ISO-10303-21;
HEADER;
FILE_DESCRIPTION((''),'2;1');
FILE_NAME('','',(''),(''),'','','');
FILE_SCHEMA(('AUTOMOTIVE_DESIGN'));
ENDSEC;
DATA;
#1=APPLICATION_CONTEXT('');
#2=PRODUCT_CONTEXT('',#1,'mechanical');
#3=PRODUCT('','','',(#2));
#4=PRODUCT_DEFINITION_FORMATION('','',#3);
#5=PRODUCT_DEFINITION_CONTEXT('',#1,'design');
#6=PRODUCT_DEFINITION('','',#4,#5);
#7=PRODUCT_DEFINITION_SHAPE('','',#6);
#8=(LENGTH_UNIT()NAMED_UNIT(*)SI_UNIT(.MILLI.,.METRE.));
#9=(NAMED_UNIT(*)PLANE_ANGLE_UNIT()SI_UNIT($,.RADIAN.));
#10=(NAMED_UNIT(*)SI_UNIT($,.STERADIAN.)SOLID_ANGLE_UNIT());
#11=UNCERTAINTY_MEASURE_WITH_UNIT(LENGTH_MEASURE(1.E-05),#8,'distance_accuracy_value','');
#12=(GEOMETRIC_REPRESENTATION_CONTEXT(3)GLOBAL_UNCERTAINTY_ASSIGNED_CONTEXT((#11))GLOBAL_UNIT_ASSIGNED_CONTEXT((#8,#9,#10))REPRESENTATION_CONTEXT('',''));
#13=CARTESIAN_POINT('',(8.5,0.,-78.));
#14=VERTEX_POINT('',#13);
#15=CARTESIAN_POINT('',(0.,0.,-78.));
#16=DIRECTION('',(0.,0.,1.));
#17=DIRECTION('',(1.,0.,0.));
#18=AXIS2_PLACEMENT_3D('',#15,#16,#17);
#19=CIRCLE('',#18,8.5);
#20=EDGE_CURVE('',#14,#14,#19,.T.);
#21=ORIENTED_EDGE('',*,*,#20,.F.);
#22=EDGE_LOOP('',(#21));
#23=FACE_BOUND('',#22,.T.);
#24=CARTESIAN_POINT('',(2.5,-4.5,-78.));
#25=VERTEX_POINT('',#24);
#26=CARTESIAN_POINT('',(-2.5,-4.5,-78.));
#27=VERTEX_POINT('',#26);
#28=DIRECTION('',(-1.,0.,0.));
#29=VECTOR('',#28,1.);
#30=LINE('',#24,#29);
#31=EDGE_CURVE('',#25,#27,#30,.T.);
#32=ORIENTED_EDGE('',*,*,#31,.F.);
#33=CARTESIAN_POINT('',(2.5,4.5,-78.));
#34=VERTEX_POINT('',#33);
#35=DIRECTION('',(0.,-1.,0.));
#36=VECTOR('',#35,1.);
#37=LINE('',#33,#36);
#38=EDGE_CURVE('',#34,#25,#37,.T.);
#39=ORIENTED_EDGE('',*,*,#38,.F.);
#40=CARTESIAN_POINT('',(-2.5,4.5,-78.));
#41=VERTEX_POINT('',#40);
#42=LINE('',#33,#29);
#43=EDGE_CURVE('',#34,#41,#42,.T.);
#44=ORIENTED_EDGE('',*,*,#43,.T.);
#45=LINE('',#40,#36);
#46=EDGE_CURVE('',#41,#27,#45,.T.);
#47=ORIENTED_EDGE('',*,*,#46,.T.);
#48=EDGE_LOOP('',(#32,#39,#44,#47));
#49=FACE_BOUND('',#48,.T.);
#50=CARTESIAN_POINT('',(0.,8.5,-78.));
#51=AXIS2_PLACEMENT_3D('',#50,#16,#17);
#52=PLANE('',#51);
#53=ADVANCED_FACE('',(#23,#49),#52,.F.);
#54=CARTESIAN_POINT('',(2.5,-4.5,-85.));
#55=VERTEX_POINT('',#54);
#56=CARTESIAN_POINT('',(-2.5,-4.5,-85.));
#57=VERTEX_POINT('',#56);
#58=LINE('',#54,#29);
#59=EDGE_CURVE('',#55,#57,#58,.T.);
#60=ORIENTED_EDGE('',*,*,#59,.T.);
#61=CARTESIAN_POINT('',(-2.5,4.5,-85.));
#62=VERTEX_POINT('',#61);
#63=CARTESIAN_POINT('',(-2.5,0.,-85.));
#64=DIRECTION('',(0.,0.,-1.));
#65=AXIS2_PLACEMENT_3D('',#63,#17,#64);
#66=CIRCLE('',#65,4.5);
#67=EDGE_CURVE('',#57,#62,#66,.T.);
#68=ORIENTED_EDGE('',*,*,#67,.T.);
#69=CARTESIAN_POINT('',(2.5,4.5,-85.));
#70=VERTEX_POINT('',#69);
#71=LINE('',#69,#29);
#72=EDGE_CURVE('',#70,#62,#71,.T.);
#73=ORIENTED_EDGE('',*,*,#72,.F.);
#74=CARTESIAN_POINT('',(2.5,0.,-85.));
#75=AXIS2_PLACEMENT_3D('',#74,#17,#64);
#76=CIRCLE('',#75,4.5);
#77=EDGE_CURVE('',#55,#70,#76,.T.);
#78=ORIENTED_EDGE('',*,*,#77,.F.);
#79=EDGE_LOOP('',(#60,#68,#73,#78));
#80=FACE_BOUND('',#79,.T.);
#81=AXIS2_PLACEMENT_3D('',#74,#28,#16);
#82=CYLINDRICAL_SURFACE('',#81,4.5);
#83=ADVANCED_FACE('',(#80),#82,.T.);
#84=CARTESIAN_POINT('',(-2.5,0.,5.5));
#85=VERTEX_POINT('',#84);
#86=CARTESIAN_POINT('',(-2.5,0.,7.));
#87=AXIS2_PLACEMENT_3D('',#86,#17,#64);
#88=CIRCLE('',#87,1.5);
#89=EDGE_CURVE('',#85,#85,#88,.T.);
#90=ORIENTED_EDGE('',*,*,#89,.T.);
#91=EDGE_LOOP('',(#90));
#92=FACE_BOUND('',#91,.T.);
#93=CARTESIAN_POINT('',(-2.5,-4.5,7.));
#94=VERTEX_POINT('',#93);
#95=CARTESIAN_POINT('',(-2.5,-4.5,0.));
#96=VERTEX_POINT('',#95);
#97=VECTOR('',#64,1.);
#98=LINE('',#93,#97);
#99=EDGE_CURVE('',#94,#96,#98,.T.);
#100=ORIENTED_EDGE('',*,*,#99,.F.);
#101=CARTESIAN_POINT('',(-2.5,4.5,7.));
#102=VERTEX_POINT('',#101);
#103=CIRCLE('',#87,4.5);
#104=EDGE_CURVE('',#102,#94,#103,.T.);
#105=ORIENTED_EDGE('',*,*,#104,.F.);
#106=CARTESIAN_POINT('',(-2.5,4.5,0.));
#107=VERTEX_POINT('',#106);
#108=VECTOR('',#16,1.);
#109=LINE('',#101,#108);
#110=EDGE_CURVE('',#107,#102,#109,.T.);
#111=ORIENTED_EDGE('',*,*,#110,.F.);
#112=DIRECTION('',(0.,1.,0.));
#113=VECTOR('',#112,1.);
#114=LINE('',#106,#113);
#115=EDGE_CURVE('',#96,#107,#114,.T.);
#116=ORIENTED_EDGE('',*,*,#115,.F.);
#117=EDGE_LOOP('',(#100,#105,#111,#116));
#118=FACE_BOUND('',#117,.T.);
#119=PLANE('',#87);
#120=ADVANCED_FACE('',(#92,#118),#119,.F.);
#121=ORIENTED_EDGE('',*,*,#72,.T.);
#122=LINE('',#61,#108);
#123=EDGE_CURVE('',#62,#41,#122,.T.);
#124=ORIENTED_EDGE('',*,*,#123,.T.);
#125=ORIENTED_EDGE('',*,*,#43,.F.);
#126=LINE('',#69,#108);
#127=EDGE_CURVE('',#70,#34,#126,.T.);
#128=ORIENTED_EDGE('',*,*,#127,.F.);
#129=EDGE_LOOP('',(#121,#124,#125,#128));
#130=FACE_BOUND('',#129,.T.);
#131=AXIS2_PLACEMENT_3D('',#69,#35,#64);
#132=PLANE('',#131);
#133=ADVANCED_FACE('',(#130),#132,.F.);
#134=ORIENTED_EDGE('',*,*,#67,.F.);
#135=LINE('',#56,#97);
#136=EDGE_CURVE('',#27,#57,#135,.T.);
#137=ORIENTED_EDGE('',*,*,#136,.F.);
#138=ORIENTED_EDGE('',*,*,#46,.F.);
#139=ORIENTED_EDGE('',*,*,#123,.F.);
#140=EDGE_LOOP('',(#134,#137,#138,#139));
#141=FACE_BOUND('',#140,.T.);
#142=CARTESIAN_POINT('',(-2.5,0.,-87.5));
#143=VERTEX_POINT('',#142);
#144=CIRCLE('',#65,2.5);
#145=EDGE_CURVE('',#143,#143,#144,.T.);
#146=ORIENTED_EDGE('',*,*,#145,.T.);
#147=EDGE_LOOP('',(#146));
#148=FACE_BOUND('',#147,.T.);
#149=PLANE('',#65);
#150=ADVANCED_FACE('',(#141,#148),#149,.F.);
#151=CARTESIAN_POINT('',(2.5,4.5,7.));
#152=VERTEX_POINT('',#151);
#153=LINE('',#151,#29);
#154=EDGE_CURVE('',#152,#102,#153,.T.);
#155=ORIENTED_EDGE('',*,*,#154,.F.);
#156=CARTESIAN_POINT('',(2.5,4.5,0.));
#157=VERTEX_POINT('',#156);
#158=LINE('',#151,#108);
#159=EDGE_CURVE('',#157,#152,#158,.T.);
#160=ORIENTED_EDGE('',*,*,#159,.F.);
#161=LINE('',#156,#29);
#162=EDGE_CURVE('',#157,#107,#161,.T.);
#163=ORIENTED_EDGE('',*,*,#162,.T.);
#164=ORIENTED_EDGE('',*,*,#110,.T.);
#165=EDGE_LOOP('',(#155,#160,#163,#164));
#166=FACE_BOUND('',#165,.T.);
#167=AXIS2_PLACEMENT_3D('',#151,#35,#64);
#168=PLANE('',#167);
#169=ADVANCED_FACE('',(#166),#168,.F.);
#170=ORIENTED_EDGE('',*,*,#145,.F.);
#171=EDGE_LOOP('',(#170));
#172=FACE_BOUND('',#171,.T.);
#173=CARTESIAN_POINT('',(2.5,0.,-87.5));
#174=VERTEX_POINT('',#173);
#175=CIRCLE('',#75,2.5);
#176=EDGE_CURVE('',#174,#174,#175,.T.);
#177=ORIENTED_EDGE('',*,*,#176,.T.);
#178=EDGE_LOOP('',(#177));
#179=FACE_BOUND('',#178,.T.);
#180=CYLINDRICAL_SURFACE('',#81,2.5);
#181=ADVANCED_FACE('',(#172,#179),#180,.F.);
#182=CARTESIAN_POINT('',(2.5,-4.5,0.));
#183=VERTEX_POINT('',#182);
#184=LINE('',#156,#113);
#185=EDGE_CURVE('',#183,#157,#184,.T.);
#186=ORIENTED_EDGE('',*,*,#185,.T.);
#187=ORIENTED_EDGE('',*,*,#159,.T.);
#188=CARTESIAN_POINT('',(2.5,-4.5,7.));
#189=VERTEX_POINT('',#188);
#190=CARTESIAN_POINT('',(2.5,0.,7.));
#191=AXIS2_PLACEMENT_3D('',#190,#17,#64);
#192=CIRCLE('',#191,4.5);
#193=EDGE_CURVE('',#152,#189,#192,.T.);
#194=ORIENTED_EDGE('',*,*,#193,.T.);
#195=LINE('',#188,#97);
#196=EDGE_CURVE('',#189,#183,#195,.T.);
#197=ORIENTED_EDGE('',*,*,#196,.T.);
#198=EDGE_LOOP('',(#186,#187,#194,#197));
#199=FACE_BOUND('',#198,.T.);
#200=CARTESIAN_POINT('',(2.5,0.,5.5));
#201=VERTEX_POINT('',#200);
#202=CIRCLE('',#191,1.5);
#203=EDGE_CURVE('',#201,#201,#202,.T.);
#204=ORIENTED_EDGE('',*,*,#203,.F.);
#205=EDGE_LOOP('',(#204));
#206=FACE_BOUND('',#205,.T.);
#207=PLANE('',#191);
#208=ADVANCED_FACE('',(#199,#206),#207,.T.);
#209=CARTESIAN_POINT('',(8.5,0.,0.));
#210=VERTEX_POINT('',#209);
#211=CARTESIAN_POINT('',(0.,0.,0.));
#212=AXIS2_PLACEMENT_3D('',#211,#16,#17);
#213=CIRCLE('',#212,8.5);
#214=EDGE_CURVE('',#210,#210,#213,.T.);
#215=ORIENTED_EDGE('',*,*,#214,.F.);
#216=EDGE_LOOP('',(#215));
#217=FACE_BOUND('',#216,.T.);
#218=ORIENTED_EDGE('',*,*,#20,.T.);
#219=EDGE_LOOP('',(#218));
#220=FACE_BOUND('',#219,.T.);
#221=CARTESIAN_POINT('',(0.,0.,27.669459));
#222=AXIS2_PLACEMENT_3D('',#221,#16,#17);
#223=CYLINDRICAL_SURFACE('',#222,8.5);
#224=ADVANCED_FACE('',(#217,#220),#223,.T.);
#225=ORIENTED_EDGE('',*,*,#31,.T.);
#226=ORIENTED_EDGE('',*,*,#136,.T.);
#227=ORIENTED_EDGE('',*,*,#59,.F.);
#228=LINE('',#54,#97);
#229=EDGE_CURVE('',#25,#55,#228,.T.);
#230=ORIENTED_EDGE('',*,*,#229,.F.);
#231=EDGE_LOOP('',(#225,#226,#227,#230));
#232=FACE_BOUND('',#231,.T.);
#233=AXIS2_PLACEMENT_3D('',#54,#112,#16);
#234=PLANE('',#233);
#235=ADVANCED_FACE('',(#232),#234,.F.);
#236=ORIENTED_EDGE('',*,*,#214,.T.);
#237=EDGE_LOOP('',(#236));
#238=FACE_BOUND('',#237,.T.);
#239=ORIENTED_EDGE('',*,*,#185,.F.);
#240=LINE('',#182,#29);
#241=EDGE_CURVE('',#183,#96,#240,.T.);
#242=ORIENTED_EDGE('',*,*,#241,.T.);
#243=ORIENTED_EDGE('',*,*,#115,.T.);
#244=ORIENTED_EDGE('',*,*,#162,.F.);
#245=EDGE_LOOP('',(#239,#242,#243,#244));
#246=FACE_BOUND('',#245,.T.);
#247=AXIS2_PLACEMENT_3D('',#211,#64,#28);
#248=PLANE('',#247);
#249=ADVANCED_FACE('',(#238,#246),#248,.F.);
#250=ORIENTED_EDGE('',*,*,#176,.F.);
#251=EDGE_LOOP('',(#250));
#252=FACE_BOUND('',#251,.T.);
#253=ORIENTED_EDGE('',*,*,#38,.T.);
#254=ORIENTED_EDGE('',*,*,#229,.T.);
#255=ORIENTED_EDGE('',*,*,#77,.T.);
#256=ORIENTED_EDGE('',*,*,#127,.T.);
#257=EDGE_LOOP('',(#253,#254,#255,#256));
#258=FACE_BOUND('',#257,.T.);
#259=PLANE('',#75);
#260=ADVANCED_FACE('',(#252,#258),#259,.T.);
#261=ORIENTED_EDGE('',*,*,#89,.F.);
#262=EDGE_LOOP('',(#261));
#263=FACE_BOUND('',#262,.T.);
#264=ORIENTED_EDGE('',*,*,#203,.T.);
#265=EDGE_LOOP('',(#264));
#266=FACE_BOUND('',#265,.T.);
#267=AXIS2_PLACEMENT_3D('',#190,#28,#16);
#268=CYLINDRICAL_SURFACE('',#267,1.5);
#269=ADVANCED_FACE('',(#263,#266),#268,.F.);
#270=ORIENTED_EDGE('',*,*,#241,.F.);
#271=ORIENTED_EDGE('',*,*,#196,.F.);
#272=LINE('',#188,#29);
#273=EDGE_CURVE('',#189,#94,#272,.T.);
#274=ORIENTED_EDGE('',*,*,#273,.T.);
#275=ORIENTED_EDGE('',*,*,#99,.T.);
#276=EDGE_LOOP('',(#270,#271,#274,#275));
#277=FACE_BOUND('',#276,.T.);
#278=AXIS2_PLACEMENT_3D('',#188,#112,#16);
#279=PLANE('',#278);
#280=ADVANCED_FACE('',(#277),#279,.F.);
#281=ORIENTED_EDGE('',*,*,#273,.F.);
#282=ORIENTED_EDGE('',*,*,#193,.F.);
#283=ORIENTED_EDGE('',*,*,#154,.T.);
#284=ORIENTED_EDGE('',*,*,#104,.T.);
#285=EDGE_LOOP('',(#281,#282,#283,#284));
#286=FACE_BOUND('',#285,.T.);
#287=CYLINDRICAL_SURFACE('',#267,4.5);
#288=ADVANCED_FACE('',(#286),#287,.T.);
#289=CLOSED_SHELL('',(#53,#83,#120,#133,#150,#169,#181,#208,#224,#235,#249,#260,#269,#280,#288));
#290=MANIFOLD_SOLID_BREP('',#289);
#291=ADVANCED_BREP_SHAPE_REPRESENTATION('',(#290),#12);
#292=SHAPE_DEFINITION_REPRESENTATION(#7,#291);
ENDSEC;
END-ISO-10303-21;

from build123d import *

# Parameters (mm, degrees)
SKETCH1_W           = 78
SKETCH1_H           = 8.5
SKETCH2_R           = 1.5
SKETCH2_R_2         = 2.5
BOSS_EXTRUDE1_DEPTH = 2.5


with BuildPart() as part:
    # Sketch1 → Revolve1 (revolve)
    with BuildSketch(Plane(origin=(0, 0, 0), x_dir=(0, 0, -1), z_dir=(1, 0, 0)), mode=Mode.PRIVATE) as revolve1_sk:
        with Locations((39, 4.25)):
            Rectangle(SKETCH1_W, SKETCH1_H)
    revolve(revolve1_sk.sketch.rotate(Axis((0, 0, 27.669458773), (0, 0, -1)), 90), axis=Axis((0, 0, 27.669458773), (0, 0, -1)))

    # Sketch2 → Boss-Extrude1 (add, symmetric)
    # profile 1 of 2: a face of its own
    with BuildSketch(Plane(origin=(0, 0, 0), x_dir=(0, 0, -1), z_dir=(1, 0, 0))):
        with BuildLine():
            Line((-7, 4.5), (0, 4.5))
            Line((0, 4.5), (0, -4.5))
            Line((0, -4.5), (-7, -4.5))
            ThreePointArc((-7, -4.5), (-11.5, 0), (-7, 4.5))
        make_face()
        with Locations((-7, 0)):
            Circle(SKETCH2_R, mode=Mode.SUBTRACT)
    # profile 2 of 2: a face of its own
    with BuildSketch(Plane(origin=(0, 0, 0), x_dir=(0, 0, -1), z_dir=(1, 0, 0))):
        with BuildLine():
            Line((85, 4.5), (78, 4.5))
            Line((78, 4.5), (78, -4.5))
            Line((78, -4.5), (85, -4.5))
            ThreePointArc((85, -4.5), (89.5, 0), (85, 4.5))
        make_face()
        with Locations((85, 0)):
            Circle(SKETCH2_R_2, mode=Mode.SUBTRACT)
    extrude(amount=BOSS_EXTRUDE1_DEPTH, both=True)


solid = part.part
